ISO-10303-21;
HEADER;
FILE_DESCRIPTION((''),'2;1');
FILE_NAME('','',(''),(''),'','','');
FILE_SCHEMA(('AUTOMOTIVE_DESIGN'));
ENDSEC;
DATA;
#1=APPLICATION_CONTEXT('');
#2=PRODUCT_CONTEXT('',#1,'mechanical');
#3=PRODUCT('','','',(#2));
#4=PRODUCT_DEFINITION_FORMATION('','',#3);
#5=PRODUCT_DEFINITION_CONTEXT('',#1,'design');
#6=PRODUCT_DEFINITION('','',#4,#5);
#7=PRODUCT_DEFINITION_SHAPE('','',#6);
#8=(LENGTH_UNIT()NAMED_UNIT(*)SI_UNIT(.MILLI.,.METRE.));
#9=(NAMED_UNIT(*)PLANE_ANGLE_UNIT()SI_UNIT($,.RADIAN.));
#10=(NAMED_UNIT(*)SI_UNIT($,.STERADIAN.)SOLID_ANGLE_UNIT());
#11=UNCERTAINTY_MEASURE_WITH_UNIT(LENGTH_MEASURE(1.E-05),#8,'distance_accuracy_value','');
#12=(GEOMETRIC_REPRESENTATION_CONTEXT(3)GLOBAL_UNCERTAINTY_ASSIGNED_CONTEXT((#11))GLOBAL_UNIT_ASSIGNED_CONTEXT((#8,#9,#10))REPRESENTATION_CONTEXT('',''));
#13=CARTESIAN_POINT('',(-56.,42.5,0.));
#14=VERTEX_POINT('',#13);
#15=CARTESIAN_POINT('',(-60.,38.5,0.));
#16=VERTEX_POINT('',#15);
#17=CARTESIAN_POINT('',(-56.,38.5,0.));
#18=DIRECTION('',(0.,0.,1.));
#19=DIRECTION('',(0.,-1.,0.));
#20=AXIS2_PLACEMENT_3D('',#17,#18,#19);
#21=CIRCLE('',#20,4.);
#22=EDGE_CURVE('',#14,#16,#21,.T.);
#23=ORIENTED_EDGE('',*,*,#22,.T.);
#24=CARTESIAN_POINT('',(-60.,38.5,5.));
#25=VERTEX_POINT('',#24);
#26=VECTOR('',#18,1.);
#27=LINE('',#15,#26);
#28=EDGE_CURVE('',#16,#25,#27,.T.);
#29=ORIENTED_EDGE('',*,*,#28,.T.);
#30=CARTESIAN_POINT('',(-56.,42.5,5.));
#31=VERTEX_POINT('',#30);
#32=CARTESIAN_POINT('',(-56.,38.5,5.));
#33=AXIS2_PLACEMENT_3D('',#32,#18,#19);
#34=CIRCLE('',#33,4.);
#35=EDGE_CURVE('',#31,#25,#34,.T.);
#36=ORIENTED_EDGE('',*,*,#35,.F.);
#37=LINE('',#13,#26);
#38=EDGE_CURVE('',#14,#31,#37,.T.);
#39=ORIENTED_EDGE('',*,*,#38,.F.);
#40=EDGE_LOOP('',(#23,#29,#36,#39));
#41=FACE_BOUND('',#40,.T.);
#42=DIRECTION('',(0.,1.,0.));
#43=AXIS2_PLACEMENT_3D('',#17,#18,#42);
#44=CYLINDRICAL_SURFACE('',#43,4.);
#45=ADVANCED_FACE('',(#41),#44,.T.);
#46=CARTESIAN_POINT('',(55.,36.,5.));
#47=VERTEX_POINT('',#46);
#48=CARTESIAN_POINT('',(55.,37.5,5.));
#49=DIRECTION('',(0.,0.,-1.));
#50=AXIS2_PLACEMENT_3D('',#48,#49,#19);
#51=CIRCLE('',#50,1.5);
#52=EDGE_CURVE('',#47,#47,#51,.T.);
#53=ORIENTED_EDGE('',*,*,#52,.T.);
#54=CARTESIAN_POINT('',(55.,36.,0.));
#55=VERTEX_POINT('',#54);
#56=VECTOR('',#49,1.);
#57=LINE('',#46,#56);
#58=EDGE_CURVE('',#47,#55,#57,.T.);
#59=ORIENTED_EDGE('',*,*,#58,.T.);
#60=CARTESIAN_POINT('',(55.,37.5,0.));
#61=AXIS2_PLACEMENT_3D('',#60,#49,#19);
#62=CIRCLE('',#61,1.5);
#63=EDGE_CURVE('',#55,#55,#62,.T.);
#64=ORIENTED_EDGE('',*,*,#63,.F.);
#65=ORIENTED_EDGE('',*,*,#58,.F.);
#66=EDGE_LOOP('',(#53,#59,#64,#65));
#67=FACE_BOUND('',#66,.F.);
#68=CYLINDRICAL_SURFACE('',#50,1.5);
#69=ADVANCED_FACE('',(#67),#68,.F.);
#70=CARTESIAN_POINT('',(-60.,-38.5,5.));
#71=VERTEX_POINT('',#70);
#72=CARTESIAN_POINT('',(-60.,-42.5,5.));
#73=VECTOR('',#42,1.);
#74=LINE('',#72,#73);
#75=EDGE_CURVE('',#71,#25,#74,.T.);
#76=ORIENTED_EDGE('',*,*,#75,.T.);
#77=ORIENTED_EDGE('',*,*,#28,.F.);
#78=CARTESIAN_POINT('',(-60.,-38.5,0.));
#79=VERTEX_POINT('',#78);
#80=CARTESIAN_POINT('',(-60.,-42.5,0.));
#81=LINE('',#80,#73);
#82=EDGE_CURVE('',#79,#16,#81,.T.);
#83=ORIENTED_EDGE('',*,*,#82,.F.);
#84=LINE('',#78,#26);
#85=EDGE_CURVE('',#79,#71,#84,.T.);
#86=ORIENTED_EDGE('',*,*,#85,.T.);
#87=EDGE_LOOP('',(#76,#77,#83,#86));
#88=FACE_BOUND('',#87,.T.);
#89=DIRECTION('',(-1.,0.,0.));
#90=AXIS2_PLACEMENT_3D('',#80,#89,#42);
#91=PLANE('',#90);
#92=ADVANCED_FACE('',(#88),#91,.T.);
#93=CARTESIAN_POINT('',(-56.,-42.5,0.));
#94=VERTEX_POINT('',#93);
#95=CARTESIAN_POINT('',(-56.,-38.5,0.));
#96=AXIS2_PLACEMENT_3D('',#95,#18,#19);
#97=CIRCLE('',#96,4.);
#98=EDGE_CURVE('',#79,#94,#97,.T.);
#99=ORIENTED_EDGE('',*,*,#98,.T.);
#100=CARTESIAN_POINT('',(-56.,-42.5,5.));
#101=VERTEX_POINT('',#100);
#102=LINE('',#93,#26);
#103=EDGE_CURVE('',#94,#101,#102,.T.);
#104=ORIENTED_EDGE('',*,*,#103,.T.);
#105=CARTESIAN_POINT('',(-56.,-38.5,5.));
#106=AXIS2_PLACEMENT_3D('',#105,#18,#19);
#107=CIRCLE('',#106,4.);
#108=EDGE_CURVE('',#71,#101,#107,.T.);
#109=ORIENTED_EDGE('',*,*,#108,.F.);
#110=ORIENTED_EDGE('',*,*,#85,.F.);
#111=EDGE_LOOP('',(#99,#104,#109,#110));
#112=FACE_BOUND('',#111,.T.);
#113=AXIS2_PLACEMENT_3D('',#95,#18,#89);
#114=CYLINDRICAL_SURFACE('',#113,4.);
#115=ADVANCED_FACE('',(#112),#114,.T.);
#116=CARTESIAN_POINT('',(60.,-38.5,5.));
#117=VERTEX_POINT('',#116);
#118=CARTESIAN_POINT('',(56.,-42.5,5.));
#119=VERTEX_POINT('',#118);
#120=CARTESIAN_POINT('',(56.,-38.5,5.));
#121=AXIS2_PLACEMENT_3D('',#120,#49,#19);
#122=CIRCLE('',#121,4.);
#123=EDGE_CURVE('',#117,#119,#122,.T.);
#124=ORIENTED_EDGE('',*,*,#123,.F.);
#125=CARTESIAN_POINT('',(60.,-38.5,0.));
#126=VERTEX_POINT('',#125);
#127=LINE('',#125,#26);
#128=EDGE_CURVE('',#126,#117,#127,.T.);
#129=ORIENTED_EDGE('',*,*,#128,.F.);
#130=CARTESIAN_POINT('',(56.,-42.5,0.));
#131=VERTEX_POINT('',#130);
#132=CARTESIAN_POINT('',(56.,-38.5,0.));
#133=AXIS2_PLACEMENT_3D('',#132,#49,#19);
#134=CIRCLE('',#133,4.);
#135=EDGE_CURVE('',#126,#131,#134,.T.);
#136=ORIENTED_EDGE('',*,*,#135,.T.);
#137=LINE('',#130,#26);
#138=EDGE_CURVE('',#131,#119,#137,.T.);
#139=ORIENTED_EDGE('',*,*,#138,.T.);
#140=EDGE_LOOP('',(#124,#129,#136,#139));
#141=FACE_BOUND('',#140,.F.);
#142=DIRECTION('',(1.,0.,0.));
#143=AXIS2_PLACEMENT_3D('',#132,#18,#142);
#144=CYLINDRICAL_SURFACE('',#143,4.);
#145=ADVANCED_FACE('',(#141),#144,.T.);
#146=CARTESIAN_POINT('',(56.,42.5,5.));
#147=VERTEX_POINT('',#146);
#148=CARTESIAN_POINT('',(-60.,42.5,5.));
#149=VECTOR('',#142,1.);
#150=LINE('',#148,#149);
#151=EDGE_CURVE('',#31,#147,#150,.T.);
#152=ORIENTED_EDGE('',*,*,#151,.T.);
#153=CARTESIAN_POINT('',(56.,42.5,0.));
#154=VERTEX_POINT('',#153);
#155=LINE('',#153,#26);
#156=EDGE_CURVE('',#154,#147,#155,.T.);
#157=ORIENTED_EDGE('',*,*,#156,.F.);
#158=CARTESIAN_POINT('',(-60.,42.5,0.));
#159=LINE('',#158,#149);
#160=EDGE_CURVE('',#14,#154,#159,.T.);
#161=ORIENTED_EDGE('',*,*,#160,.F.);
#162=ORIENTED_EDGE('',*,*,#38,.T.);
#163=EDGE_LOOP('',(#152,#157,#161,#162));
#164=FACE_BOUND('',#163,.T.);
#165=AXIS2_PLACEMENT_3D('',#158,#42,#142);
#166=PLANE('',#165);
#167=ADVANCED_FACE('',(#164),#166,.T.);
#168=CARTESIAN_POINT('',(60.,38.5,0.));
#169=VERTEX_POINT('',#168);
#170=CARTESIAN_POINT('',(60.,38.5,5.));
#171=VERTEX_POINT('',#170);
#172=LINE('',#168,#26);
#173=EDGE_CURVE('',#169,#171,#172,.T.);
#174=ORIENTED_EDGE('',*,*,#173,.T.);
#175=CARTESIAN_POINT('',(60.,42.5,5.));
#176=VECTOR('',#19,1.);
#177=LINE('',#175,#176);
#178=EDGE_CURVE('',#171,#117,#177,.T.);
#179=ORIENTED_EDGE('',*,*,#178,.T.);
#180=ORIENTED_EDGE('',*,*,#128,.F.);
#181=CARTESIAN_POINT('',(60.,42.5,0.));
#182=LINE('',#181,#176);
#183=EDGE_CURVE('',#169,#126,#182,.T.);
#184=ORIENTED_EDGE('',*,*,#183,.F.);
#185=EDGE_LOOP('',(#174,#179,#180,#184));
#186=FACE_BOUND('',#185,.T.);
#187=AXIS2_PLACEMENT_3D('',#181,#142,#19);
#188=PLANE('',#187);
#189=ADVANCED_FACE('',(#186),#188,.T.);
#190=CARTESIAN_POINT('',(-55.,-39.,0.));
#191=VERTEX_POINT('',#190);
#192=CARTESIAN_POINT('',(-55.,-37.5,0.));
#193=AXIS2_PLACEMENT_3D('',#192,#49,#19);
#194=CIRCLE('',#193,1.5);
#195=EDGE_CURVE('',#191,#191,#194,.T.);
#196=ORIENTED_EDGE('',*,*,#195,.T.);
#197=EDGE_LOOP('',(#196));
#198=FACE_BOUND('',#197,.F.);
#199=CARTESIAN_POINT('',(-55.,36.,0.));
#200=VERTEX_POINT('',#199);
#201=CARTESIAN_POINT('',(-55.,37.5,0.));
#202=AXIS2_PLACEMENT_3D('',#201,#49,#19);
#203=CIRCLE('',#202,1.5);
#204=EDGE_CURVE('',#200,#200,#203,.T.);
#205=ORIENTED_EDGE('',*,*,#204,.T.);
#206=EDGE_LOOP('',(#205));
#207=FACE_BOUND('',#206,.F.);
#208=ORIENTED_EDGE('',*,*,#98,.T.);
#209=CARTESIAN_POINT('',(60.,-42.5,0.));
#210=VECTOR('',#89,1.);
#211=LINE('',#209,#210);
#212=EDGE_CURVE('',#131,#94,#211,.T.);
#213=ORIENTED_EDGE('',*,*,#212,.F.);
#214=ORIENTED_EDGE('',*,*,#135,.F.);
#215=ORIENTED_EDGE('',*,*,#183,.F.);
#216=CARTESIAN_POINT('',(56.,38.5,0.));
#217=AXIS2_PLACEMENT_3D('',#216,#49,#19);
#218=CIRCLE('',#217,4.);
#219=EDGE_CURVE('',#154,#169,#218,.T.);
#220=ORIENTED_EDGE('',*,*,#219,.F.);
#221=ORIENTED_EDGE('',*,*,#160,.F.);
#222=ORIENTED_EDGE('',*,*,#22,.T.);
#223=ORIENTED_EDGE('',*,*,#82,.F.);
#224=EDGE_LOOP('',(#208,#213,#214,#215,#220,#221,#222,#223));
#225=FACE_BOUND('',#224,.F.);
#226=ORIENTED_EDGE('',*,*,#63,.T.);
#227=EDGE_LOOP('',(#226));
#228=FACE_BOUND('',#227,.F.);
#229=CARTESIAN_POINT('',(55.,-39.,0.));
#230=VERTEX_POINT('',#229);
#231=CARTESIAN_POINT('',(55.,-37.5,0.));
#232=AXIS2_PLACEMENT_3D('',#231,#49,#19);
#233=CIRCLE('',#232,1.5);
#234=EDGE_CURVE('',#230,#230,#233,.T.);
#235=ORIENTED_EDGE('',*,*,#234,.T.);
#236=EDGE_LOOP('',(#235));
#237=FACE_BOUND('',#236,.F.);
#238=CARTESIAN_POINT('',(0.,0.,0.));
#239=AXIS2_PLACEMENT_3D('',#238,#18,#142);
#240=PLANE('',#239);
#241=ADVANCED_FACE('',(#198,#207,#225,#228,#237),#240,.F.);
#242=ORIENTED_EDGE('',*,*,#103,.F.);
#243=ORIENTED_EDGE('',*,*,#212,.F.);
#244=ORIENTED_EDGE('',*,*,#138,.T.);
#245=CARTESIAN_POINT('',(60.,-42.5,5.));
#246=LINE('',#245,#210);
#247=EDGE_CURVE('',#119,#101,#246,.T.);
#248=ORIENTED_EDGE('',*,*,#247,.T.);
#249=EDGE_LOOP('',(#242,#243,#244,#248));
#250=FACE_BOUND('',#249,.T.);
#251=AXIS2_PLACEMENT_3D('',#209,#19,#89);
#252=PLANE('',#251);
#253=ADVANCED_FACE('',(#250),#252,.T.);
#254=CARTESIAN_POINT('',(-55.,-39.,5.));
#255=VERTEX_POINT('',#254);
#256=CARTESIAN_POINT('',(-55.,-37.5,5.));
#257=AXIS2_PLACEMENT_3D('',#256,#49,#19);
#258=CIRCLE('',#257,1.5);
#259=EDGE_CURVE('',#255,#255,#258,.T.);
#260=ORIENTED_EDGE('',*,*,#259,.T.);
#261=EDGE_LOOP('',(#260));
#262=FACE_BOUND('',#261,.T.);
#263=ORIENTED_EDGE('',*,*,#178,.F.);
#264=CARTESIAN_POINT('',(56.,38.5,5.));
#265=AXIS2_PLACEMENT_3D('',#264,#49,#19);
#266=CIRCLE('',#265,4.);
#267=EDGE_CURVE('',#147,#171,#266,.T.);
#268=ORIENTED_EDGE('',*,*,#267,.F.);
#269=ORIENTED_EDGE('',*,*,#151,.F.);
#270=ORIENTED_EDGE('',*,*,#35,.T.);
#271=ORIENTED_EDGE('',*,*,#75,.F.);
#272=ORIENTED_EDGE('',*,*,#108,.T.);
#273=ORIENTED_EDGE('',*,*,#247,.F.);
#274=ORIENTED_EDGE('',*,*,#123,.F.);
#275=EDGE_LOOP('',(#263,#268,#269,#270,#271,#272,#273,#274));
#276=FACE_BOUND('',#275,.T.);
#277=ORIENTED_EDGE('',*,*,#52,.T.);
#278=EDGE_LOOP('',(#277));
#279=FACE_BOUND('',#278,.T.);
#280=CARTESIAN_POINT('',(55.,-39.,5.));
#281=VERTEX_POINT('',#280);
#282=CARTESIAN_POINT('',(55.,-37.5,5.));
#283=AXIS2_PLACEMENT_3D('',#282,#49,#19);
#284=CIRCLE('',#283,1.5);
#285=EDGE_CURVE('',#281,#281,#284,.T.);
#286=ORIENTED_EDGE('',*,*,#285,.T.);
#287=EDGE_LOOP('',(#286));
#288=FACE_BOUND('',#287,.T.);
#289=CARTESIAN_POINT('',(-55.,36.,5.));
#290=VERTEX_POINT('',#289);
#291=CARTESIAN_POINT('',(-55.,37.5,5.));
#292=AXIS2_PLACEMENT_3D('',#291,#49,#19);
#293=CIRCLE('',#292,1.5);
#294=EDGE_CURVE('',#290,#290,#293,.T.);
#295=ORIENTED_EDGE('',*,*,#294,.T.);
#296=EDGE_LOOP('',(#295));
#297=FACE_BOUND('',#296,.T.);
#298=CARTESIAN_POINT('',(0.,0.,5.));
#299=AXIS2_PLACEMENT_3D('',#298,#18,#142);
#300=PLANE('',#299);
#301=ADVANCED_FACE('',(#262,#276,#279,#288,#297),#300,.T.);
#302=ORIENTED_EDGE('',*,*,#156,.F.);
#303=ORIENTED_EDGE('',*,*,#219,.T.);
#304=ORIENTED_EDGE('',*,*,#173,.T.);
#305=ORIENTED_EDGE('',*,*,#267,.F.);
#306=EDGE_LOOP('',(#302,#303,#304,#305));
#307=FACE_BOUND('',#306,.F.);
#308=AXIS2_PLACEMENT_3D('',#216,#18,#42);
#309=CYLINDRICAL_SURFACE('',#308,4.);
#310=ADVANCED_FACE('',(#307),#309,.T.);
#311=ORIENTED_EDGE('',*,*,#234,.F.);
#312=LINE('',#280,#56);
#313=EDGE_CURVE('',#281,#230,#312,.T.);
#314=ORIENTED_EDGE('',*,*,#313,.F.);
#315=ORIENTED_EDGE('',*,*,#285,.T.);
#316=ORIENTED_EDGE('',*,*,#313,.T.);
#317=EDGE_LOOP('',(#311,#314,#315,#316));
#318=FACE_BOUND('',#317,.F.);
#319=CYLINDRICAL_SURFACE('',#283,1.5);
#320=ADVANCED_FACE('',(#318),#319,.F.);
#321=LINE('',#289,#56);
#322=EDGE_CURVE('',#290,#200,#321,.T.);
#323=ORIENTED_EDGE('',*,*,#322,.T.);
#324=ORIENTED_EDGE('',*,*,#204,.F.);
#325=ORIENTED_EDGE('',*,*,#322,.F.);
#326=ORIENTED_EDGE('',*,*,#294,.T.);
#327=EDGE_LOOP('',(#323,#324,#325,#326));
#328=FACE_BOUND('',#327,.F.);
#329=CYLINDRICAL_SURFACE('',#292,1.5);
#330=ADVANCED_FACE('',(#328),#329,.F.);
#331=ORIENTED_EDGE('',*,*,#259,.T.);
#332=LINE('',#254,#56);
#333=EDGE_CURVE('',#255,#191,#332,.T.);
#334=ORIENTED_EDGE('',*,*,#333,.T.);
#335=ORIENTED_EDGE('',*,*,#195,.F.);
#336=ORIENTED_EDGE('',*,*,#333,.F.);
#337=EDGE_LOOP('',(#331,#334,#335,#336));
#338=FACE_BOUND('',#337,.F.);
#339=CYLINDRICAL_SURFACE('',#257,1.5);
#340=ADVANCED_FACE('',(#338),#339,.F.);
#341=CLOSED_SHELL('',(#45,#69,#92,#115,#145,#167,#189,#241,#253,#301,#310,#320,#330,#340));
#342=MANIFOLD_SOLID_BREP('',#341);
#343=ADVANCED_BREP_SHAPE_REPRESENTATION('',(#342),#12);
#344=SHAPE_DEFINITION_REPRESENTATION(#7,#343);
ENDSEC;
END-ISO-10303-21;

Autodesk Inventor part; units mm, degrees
ref_plane "YZ Plane" through (0, 0, 0) normal (1, 0, 0) x (0, 1, 0)
ref_plane "XZ Plane" through (0, 0, 0) normal (0, 1, 0) x (-1, 0, 0)
ref_plane "XY Plane" through (0, 0, 0) normal (0, 0, 1) x (1, 0, 0)
sketch "Sketch1" plane through (0, 0, 0) normal (0, 0, 1) x (1, 0, 0)
  line L0 (-60, 42.5) -> (60, 42.5)
  line L1 (60, 42.5) -> (60, -42.5)
  line L2 (60, -42.5) -> (-60, -42.5)
  line L3 (-60, -42.5) -> (-60, 42.5)
  point P0 (0, 0)
  point P1 (0, 42.5)
  point P2 (60, 0)
  dimension "d0" = 120
  dimension "d1" = 85
extrude "Extrusion1" add sketch "Sketch1" along normal blind 5
sketch "Sketch2" plane through (0, 0, 5) normal (0, 0, 1) x (1, 0, 0)
  line L0 (-55, 37.5) -> (55, 37.5) construction
  line L1 (55, 37.5) -> (55, -37.5) construction
  line L2 (55, -37.5) -> (-55, -37.5) construction
  line L3 (-55, -37.5) -> (-55, 37.5) construction
  point P0 (0, 0)
  point P1 (0, 37.5)
  point P2 (55, 0)
  point P3 (-21.4621, 82.9295)
  dimension "d4" = 110
  dimension "d5" = 75
hole "Hole1" at (-55, 37.5, 5) at (55, 37.5, 5) at (55, -37.5, 5) at (-55, -37.5, 5) at (-21.4621, 82.9295, 5) direction (0, 0, -1) diameter 3 end through all
fillet "Fillet1" radius 4 4 edges at (60, 42.5, 2.5) (60, -42.5, 2.5) (-60, 42.5, 2.5) (-60, -42.5, 2.5)
properties part number "duo-esp32-pcb-outline"
